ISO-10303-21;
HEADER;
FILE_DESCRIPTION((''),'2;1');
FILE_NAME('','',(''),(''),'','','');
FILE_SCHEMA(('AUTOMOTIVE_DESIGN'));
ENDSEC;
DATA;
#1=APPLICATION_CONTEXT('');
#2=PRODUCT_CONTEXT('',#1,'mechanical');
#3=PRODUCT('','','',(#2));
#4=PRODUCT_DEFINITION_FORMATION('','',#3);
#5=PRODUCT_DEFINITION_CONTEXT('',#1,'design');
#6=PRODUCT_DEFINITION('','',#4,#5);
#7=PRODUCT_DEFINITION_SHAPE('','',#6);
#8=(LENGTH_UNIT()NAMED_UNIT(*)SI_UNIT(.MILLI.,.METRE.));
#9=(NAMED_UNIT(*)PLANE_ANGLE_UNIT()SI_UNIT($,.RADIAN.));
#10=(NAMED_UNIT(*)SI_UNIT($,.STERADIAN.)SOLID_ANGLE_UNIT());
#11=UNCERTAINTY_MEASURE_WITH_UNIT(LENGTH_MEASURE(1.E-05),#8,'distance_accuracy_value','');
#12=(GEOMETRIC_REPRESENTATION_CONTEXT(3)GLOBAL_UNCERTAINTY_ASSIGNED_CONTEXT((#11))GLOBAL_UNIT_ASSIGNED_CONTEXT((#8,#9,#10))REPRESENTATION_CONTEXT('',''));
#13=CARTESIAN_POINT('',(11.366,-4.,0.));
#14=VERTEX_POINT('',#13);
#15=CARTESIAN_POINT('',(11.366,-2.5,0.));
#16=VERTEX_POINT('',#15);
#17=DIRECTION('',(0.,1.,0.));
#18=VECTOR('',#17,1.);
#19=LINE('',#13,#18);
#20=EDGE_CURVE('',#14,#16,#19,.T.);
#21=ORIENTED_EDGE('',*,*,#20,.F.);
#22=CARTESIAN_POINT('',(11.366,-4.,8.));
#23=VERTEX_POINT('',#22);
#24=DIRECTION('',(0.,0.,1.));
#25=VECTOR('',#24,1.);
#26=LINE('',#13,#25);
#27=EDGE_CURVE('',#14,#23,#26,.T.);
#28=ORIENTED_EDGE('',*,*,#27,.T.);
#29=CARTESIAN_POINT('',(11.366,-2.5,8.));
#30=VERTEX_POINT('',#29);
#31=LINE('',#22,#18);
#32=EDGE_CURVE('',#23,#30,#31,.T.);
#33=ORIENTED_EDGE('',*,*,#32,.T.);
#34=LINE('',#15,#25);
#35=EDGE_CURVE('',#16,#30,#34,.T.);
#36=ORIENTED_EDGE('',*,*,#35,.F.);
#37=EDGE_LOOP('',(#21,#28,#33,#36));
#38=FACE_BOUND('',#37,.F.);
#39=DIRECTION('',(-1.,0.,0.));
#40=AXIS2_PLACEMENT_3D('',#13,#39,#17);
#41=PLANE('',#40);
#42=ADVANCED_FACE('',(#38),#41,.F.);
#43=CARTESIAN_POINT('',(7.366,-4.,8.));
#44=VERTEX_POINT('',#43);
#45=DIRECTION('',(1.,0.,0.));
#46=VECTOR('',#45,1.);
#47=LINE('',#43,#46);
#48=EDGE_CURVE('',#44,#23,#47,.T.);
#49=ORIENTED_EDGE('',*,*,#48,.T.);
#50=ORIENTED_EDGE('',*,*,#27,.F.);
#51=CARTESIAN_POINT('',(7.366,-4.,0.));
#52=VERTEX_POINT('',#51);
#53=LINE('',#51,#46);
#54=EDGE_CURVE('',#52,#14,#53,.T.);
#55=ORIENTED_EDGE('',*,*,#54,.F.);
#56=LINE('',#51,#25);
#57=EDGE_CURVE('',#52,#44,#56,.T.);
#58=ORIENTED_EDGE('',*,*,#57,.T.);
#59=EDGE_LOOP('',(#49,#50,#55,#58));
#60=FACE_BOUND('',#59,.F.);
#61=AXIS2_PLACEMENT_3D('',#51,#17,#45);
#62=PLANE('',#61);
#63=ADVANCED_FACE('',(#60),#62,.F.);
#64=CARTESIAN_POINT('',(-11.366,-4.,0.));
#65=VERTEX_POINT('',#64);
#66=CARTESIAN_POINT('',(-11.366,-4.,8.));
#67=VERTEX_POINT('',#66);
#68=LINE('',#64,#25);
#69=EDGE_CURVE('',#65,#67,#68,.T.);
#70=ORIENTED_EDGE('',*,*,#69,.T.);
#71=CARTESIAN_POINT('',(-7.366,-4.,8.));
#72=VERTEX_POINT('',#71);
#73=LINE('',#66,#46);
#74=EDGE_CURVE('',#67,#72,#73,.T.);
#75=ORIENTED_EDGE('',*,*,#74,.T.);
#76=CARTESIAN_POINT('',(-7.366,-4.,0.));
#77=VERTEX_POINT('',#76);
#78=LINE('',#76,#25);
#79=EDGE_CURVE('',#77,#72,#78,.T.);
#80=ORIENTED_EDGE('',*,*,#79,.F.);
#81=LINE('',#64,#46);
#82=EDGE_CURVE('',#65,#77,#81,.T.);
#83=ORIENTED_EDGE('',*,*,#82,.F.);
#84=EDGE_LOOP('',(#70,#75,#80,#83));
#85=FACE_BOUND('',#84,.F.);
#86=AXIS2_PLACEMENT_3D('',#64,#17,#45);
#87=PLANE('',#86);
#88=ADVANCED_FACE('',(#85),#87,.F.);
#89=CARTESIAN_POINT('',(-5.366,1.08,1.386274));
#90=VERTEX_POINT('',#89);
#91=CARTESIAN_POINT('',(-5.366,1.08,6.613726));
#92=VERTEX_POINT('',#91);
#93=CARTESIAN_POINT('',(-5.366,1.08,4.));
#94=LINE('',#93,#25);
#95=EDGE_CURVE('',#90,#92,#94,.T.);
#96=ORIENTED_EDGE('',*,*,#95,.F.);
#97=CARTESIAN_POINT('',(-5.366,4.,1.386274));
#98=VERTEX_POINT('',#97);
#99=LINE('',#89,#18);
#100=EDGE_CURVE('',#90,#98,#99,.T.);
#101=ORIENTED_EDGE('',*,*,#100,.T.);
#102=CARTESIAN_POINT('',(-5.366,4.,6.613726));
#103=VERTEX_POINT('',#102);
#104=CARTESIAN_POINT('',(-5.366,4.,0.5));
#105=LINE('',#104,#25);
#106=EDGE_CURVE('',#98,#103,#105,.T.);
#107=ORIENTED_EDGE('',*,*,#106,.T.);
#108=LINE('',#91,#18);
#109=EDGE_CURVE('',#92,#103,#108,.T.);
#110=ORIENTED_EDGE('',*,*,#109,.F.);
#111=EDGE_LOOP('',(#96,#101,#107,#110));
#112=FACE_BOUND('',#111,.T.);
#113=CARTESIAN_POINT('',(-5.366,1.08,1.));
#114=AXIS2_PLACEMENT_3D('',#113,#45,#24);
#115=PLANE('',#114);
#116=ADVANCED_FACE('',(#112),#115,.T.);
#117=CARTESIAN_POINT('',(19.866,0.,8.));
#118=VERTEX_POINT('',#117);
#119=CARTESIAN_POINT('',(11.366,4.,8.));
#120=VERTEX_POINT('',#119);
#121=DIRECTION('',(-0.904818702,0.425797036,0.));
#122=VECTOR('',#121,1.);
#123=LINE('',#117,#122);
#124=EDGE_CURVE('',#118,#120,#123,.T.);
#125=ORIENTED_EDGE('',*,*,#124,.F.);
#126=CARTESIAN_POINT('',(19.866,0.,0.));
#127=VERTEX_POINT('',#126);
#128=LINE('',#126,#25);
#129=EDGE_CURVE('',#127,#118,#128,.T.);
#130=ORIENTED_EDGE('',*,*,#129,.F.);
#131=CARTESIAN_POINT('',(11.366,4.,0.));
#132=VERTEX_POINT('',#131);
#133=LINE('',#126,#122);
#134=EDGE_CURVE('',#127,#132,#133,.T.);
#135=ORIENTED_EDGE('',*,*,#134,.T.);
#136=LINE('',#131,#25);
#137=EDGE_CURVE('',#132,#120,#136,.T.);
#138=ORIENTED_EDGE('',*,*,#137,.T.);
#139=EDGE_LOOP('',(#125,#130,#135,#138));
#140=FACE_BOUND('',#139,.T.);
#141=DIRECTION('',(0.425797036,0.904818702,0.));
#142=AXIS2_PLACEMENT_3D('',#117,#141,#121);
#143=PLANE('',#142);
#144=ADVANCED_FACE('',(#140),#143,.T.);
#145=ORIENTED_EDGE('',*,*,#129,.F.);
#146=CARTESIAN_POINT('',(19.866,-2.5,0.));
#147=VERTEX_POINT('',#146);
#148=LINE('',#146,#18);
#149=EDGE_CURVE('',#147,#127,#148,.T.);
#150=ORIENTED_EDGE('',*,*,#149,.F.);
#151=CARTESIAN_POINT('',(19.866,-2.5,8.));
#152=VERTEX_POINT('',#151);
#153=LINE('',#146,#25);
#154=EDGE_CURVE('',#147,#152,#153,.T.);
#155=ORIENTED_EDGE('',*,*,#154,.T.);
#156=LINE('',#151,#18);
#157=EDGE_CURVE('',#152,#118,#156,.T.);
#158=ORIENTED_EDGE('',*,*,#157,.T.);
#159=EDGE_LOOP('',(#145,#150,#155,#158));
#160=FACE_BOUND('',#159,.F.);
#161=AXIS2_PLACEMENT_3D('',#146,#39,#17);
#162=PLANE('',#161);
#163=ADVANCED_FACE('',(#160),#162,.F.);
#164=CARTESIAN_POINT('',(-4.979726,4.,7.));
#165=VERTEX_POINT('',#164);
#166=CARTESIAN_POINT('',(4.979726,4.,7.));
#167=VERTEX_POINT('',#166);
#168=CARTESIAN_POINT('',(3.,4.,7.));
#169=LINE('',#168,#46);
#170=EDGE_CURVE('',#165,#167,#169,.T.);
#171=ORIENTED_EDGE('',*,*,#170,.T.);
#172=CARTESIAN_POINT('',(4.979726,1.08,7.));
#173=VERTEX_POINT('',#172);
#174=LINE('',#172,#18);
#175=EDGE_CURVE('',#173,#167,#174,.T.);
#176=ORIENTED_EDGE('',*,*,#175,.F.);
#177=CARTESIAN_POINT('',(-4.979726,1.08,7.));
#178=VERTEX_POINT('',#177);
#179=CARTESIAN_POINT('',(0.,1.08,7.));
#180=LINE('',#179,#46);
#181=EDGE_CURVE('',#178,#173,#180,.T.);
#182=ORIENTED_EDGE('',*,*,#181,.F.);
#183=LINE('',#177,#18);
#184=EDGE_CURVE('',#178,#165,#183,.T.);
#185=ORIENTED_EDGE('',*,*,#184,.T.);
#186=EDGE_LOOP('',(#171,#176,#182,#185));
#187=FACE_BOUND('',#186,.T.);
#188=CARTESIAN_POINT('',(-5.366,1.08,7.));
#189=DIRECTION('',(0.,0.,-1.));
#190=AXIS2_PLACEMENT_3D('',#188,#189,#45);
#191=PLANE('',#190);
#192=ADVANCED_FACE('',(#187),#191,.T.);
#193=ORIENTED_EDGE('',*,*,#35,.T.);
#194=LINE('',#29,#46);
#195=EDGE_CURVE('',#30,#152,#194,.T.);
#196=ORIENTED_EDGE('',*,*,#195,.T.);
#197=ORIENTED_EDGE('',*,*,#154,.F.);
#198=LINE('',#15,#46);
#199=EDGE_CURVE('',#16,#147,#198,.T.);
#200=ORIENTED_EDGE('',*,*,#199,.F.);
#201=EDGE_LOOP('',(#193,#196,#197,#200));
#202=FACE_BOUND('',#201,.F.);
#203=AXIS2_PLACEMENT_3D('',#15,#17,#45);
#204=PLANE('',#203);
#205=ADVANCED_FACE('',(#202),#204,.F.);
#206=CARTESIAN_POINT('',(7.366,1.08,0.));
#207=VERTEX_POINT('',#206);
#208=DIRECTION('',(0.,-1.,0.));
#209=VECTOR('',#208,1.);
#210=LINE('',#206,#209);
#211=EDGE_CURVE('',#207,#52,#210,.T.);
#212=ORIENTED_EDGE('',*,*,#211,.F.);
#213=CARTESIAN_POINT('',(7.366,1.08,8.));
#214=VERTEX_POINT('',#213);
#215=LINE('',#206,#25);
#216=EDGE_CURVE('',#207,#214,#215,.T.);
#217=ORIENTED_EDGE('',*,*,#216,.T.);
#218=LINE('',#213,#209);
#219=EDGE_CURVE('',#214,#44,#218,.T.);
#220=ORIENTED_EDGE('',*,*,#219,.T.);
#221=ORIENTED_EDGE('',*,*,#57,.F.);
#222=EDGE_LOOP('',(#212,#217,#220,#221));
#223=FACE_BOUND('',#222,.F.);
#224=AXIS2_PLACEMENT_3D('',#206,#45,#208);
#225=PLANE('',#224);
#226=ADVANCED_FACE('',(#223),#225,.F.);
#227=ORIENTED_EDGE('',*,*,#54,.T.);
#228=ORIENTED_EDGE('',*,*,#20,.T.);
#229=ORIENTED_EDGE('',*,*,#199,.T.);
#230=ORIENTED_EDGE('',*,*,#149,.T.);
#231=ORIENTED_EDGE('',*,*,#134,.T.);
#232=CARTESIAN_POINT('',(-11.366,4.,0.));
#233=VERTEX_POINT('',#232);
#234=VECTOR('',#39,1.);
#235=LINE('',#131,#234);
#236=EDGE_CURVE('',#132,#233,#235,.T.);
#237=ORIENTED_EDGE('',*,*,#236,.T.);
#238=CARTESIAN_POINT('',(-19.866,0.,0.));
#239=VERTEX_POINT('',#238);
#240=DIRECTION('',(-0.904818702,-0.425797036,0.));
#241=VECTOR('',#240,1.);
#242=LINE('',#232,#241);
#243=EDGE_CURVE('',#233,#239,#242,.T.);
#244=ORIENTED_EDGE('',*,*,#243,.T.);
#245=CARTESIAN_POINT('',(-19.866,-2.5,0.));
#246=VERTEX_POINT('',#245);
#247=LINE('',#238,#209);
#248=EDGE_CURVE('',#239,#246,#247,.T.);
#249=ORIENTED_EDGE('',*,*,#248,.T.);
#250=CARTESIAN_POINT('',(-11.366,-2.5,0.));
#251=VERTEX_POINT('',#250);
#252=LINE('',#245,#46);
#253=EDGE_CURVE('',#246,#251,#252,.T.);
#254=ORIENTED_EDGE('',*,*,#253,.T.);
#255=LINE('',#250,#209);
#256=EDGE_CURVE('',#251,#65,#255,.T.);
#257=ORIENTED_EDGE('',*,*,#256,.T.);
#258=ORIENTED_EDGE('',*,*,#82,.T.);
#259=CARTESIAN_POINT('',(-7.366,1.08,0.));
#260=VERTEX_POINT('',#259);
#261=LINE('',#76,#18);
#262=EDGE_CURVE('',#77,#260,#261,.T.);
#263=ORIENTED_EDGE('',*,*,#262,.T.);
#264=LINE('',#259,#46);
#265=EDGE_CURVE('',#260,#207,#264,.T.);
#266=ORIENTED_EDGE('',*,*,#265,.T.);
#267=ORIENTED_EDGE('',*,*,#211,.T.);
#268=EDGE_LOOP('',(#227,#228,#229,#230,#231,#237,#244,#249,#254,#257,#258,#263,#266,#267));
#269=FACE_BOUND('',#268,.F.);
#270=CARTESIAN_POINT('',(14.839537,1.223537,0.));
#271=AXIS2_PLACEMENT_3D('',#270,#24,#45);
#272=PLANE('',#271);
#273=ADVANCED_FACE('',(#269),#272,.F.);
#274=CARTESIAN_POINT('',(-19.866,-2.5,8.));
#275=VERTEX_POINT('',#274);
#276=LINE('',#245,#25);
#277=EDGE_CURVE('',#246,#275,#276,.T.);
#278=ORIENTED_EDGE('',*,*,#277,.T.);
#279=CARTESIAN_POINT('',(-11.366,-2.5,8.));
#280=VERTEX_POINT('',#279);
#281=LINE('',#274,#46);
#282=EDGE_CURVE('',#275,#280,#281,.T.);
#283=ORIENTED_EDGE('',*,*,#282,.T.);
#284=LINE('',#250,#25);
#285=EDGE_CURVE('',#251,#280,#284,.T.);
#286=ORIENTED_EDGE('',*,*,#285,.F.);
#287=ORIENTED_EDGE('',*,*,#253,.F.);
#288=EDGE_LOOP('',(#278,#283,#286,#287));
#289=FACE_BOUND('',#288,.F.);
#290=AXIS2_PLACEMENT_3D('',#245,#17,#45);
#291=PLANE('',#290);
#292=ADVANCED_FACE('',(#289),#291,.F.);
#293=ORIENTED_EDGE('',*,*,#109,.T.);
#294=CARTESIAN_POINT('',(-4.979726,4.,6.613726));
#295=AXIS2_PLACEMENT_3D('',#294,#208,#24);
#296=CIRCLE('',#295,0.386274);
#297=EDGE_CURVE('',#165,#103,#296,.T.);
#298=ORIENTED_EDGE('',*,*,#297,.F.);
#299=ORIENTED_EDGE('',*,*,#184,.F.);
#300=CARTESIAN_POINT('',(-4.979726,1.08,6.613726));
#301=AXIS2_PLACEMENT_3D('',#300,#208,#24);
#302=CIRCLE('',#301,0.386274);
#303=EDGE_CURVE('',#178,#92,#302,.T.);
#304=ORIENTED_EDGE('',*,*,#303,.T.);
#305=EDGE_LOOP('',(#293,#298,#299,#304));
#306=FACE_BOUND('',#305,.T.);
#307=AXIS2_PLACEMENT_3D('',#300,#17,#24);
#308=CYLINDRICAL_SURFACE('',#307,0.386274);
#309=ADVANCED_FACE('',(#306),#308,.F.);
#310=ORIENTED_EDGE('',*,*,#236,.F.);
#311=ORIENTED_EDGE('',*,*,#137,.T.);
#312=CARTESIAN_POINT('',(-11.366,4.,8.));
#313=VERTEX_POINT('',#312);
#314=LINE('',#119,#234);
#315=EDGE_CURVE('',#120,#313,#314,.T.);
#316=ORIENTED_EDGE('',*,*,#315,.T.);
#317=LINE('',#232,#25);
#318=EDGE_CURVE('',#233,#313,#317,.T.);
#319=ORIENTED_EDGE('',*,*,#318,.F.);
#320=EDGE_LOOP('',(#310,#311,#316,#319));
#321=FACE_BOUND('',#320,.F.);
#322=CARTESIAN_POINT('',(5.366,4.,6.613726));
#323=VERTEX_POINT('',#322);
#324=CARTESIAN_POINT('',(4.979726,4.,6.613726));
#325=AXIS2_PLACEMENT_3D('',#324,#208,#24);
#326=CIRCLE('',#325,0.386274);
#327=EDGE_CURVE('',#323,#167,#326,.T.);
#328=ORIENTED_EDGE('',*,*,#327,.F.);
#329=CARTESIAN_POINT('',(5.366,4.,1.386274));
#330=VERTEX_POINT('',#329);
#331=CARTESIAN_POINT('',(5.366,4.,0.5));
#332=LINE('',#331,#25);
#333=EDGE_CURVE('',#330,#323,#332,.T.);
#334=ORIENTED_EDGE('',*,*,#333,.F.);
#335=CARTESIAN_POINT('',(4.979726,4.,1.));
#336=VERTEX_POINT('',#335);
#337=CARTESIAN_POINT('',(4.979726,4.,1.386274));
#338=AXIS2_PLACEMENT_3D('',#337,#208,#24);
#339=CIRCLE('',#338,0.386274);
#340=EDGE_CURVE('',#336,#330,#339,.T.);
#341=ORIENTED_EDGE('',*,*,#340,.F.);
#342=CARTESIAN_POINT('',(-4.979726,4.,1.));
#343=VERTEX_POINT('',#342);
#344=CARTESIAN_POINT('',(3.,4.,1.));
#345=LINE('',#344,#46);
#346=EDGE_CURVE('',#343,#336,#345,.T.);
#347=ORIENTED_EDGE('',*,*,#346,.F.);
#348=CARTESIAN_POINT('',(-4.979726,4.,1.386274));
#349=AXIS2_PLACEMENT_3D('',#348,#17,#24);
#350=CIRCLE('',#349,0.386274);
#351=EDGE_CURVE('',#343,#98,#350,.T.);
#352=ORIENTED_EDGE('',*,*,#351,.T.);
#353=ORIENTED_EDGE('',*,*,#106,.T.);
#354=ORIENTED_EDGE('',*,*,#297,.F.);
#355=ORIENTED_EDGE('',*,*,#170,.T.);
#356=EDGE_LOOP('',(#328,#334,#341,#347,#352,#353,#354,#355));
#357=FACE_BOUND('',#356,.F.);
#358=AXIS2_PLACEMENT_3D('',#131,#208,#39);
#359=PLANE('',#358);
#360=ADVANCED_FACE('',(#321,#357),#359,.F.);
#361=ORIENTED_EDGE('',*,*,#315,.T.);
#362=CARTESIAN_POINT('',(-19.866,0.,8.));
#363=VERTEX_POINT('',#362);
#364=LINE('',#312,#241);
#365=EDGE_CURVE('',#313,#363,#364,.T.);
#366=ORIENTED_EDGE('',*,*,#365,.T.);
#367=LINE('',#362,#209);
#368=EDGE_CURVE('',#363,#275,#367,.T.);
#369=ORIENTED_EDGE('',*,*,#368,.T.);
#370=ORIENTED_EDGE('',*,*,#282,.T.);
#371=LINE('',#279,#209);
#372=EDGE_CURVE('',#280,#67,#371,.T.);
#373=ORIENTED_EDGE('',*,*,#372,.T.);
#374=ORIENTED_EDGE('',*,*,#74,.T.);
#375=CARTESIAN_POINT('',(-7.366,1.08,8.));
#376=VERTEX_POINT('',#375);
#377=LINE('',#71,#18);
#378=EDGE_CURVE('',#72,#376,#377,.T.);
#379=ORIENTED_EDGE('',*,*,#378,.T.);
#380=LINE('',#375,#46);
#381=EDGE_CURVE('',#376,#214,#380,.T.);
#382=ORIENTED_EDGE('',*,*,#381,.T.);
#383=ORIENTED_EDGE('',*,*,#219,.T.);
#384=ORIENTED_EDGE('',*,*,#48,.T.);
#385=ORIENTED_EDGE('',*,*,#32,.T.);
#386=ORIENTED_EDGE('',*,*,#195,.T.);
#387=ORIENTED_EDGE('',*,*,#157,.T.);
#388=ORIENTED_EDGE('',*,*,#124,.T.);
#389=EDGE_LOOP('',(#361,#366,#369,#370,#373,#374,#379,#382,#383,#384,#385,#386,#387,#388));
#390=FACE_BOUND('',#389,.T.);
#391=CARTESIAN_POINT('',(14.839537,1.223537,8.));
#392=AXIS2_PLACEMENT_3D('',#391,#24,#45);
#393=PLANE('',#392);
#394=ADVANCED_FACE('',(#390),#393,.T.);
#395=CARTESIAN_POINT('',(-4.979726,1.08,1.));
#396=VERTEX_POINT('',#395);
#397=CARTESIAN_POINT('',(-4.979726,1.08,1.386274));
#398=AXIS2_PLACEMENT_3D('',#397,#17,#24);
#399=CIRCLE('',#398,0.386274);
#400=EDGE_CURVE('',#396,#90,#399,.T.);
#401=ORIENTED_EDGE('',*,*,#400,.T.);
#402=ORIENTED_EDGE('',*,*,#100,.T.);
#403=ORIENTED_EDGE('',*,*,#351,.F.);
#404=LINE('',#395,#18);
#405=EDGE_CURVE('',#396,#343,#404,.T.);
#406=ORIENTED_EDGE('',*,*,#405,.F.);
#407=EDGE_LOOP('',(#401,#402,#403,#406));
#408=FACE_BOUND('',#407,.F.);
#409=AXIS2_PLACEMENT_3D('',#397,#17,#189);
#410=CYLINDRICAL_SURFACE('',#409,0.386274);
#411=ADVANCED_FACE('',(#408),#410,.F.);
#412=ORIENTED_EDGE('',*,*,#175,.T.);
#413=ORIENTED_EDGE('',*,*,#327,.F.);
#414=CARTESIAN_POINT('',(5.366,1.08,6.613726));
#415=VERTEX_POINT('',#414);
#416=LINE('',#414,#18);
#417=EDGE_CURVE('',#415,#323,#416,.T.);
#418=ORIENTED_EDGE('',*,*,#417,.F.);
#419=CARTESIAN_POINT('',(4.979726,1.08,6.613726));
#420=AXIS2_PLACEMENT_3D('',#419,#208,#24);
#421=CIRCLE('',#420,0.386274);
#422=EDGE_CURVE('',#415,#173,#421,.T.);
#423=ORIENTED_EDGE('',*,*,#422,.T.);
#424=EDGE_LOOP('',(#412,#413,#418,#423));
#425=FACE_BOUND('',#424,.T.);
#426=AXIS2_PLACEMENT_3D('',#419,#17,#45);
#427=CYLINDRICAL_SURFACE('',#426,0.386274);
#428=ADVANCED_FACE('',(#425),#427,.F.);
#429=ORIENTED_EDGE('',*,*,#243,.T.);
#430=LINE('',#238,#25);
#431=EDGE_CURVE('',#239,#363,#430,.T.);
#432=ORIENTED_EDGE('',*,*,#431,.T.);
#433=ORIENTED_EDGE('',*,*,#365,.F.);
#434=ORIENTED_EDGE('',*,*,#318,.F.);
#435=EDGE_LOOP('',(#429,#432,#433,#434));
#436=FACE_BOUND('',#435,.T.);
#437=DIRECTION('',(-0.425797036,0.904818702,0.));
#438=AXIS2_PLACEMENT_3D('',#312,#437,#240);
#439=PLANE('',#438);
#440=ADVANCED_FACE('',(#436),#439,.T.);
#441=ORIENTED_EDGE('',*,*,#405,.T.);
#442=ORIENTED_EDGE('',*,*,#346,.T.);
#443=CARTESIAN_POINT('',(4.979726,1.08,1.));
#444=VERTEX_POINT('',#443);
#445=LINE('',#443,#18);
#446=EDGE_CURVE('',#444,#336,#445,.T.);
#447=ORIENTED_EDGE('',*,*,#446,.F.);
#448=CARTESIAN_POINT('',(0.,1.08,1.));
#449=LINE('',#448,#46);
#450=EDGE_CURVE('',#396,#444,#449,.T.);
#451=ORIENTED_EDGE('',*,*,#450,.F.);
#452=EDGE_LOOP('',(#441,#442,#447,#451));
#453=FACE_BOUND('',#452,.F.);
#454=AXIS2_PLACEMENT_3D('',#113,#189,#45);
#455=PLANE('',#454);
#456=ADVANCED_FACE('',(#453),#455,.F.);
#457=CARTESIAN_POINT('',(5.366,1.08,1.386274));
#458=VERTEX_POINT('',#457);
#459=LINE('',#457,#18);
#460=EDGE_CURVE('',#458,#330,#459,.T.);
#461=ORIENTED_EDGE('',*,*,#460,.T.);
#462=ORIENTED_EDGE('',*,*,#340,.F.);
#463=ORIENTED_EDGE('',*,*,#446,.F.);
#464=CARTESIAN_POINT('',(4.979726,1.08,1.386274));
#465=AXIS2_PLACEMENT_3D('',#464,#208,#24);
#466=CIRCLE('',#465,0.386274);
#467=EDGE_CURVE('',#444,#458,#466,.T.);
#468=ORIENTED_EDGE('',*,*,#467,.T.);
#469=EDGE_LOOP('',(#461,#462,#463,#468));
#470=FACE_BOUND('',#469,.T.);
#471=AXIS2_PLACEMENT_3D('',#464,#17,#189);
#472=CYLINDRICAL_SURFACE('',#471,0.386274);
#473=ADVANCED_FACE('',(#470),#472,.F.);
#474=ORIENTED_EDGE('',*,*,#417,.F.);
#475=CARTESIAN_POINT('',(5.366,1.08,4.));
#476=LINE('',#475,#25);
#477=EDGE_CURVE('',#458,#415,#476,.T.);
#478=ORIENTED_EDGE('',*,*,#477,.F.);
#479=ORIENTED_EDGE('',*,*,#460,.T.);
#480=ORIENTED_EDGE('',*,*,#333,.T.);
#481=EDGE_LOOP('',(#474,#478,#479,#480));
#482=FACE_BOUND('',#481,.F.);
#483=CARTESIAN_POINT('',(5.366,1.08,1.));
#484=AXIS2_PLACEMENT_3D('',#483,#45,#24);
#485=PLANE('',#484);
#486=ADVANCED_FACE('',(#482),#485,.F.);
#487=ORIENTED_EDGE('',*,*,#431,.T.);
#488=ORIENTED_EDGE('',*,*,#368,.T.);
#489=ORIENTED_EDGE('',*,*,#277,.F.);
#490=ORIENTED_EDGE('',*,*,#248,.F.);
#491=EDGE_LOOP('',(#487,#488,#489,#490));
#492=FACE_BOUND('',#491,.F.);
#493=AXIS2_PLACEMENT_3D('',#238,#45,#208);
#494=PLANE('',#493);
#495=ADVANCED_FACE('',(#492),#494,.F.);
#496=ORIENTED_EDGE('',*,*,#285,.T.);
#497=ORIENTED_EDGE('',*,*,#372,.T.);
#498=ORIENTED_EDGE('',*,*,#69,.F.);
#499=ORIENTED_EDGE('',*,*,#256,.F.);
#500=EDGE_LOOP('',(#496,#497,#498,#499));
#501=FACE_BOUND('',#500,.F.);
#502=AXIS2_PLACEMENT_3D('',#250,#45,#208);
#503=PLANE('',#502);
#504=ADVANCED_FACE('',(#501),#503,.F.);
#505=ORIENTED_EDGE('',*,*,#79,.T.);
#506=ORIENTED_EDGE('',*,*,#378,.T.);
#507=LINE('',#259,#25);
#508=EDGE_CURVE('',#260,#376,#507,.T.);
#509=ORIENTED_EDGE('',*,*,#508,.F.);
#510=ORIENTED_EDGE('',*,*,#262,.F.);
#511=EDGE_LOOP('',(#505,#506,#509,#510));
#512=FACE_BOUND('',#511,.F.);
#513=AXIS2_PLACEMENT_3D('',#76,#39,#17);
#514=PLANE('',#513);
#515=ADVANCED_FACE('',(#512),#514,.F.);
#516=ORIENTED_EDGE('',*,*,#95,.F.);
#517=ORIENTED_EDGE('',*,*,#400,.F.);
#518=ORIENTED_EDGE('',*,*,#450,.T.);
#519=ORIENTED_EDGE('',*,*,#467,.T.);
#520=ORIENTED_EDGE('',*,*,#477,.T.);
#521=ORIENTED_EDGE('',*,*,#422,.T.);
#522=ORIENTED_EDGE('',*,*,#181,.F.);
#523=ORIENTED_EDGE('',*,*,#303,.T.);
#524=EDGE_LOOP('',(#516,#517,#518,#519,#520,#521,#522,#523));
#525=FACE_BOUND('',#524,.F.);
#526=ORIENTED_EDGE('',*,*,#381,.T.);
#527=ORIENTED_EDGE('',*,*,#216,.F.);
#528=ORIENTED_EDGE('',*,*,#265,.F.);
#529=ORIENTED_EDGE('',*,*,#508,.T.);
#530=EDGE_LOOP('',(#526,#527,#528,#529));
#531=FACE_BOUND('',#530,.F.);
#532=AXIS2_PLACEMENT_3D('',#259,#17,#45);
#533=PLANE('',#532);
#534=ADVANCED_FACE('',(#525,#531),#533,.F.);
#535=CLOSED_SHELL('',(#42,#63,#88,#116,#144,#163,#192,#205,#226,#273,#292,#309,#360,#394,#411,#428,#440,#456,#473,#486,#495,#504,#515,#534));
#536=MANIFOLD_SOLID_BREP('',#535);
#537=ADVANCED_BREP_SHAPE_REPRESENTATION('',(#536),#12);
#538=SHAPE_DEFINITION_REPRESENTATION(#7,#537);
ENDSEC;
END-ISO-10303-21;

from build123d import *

# Parameters (mm, degrees)
F1_DEPTH = 8
F2_W     = 10.732
F2_H     = 6
F3_DEPTH = 25
F4_R     = 0.386274
F6_DEPTH = 8


with BuildPart() as f1:
    # F0 (on Top) → F1 (new body)
    with BuildSketch(Plane.XY):
        Polygon((11.366, 4), (-11.366, 4), (-11.366, 0), (-19.866, 0), (-19.866, -2.5), (-11.366, -2.5), (-11.366, -4), (-7.366, -4), (-7.366, 1.08), (7.366, 1.08), (7.366, -4), (11.366, -4), (11.366, -2.5), (19.866, -2.5), (19.866, 0), (11.366, 0), align=None)
    extrude(amount=F1_DEPTH)

    # F2 (on face) → F3 (cut)
    with BuildSketch(Plane.XZ.offset(-1.08)):
        with Locations((0, 4)):
            Rectangle(F2_W, F2_H)
    extrude(amount=-F3_DEPTH, mode=Mode.SUBTRACT)

    # F4
    f4_edges = [f1.edges().sort_by_distance(p)[0] for p in [
        (-5.366, 2.54, 1),
        (-5.366, 2.54, 7),
        (5.366, 2.54, 7),
        (5.366, 2.54, 1),
    ]]
    fillet(f4_edges, radius=F4_R)

    # F5 (on face) → F6 (join)
    with BuildSketch(Plane.XY.offset(8)):
        Polygon((19.866, 0), (11.366, 4), (11.366, 0), align=None)
        Polygon((-11.366, 0), (-11.366, 4), (-19.866, 0), align=None)
    extrude(amount=-F6_DEPTH)


solid = f1.part
